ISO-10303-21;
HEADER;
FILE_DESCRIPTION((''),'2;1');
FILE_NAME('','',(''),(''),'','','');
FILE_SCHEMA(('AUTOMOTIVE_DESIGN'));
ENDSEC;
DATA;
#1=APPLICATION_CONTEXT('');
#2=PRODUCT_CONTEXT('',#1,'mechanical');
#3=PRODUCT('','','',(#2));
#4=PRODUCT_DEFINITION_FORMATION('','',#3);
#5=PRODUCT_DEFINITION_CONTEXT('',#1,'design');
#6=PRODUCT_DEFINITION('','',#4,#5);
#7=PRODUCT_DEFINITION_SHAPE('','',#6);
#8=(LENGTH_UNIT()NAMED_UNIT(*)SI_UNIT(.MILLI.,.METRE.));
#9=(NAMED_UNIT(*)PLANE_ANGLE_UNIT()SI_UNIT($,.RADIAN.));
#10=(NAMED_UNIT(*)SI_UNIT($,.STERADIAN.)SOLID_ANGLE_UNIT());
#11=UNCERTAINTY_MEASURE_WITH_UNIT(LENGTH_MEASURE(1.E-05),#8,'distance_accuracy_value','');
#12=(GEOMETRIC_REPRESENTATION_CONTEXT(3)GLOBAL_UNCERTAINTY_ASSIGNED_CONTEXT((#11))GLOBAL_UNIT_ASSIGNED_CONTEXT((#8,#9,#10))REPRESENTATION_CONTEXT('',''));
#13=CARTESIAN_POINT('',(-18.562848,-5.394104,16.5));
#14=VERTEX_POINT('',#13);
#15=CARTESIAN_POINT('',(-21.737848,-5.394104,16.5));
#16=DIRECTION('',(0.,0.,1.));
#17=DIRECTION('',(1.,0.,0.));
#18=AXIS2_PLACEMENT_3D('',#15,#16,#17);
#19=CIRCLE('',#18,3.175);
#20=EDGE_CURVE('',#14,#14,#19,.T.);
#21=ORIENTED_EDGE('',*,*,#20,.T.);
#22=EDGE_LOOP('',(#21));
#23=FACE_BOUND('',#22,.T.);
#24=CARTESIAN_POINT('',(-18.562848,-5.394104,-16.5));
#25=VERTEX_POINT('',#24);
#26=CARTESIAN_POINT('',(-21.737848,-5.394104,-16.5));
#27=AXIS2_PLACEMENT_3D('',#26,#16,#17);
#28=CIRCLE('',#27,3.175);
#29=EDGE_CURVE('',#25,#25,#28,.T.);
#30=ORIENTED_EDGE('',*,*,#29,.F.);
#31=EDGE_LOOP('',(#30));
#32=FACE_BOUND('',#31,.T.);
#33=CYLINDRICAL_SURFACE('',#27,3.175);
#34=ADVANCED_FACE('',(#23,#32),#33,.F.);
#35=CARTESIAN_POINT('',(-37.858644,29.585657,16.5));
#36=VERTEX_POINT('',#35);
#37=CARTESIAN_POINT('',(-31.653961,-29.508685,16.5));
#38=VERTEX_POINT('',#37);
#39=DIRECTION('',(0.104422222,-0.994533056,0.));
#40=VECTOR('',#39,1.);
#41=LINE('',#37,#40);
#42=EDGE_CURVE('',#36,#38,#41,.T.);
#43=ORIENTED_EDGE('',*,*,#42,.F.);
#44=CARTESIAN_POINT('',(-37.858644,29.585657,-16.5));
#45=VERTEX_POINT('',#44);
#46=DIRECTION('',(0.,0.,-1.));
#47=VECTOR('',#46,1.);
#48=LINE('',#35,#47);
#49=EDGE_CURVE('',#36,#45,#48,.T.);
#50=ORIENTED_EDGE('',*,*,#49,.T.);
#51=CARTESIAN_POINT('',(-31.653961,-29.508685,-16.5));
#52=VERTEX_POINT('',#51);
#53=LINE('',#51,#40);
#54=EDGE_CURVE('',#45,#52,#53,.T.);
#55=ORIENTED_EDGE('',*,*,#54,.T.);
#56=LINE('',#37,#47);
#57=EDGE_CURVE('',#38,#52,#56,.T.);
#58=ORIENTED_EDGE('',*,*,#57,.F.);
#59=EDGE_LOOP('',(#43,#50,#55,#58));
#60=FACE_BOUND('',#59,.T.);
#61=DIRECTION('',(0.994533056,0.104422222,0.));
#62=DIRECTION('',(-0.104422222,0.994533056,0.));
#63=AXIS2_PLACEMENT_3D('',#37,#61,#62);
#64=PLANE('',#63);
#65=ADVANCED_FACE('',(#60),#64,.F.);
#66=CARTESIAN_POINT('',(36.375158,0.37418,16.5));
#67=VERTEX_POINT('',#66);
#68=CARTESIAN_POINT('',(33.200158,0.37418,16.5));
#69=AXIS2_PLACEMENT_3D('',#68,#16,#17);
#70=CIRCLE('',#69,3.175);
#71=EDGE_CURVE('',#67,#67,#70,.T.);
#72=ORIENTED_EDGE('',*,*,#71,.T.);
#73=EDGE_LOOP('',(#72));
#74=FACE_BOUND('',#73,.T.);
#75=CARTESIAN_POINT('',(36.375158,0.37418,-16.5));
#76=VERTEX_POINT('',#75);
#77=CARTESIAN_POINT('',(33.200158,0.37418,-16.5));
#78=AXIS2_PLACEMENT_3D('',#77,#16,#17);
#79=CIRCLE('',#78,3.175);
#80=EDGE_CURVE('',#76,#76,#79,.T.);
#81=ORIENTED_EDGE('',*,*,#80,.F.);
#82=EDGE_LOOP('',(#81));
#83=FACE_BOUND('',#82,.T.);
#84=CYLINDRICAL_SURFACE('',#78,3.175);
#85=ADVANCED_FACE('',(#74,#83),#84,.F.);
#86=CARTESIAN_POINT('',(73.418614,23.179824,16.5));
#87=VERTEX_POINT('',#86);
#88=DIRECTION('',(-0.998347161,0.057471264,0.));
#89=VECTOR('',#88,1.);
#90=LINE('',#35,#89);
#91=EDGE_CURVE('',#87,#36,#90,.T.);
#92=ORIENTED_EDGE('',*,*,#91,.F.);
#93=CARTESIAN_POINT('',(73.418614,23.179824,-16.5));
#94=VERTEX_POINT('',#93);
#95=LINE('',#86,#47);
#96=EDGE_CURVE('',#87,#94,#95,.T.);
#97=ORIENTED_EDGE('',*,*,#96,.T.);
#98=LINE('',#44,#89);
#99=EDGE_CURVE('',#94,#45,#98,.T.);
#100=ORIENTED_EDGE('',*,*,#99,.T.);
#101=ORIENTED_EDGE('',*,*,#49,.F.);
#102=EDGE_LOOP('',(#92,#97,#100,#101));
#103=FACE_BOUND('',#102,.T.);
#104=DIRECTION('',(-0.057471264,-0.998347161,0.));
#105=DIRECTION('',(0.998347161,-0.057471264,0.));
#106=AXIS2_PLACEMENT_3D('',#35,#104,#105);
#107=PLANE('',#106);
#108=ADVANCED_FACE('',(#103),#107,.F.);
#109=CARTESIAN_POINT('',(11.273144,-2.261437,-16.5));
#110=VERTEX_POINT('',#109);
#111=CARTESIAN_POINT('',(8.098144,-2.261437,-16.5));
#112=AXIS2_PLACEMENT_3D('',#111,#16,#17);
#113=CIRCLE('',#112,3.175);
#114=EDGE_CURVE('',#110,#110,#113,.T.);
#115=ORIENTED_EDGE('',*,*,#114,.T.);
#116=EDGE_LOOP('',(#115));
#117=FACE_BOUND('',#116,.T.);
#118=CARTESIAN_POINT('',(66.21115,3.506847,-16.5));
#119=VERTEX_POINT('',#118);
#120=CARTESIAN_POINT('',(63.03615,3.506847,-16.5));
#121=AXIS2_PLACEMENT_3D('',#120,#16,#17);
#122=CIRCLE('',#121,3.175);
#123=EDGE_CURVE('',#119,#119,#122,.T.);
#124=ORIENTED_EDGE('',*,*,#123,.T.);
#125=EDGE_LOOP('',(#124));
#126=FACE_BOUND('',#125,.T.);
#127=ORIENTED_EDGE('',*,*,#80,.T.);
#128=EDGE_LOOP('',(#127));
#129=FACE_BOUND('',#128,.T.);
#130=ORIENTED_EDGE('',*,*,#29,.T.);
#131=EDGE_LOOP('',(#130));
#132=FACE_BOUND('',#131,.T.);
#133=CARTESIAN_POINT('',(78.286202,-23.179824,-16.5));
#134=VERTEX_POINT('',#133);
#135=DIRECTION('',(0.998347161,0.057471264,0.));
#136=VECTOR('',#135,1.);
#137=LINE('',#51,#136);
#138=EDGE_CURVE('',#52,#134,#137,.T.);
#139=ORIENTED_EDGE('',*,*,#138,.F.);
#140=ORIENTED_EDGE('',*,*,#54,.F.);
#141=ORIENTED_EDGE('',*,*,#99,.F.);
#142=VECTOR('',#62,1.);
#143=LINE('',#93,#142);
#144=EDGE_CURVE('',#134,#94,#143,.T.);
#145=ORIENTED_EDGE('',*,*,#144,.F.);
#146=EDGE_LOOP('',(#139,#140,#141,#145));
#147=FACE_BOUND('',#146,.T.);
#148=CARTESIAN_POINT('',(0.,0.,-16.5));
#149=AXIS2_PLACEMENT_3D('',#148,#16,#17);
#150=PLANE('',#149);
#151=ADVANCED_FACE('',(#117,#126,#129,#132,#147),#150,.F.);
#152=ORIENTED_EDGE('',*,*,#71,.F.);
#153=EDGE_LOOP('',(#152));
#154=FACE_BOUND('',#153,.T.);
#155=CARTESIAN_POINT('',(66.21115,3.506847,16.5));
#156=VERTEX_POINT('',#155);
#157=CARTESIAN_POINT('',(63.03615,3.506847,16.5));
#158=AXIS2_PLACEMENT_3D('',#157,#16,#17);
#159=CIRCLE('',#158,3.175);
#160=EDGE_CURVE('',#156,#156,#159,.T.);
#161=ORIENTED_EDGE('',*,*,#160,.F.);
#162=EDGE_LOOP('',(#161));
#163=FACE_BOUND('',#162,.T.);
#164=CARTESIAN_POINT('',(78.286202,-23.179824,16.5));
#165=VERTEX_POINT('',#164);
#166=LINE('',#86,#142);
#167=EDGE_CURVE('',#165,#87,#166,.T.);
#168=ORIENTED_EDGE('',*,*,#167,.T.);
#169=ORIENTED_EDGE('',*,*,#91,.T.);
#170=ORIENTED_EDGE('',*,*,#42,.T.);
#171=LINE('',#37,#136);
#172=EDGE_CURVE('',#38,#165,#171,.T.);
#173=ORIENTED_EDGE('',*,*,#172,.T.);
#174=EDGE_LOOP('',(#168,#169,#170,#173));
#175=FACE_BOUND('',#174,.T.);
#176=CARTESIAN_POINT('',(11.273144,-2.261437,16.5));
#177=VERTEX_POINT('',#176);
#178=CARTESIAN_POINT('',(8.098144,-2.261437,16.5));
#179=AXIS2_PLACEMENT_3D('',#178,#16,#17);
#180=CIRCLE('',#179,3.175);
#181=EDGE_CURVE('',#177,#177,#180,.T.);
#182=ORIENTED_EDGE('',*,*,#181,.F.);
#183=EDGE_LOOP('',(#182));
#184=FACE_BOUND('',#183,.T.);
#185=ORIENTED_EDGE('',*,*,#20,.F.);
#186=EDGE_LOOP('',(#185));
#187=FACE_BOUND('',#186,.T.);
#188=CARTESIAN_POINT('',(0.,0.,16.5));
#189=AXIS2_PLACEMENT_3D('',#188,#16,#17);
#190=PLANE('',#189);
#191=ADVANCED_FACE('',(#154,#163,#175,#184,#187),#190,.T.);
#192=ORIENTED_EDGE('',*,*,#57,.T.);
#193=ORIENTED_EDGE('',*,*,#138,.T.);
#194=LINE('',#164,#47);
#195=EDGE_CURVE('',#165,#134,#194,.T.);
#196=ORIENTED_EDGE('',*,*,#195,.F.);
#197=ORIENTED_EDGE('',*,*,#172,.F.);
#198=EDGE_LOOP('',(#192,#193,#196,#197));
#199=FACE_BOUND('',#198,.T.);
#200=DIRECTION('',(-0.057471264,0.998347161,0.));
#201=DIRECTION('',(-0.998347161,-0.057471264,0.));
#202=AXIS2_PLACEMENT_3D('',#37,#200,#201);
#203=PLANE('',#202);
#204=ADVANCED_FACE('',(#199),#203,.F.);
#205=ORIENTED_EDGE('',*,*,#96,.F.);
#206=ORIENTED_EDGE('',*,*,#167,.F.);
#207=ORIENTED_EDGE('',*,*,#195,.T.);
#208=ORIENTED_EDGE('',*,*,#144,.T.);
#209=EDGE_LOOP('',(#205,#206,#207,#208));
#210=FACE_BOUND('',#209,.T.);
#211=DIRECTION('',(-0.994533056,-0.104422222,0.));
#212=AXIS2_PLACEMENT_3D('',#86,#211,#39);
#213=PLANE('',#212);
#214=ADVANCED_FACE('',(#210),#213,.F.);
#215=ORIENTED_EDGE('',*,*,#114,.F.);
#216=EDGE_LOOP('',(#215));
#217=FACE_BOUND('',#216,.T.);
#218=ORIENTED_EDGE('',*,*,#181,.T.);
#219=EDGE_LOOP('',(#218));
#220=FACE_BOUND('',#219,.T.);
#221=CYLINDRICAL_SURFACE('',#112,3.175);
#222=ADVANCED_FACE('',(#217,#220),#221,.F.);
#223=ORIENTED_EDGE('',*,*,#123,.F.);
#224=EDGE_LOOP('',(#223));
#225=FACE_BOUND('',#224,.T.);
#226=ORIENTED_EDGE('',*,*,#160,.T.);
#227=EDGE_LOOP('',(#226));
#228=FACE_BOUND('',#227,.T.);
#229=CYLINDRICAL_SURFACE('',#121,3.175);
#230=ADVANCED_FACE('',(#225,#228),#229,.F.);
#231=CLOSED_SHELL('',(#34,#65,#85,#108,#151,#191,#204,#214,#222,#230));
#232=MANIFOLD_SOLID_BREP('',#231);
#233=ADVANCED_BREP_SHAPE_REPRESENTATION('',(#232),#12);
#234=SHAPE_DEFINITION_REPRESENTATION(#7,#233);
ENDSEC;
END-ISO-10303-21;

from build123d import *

# Parameters (mm, degrees)
SALIENTE_EXTRUIR1_DEPTH = 16.5
CROQUIS2_R              = 3.175
CORTAR_EXTRUIR1_DEPTH   = 90.961328235


with BuildPart() as part:
    # Croquis1 → Saliente-Extruir1 (new, symmetric)
    with BuildSketch(Plane.XY):
        Polygon((-37.85864365, 29.585656648), (73.418614151, 23.179824137), (78.286202478, -23.179824137), (-31.65396053, -29.508684898), align=None)
    extrude(amount=SALIENTE_EXTRUIR1_DEPTH, both=True)

    # Croquis2 → Cortar-Extruir1 (cut, through all)
    with BuildSketch(Plane.XY.offset(16.5)):
        with Locations((63.036149834, 3.50684658)):
            Circle(CROQUIS2_R)
        with Locations((33.200158154, 0.374179913)):
            Circle(CROQUIS2_R)
        with Locations((8.09814382, -2.261436976)):
            Circle(CROQUIS2_R)
        with Locations((-21.73784786, -5.394103642)):
            Circle(CROQUIS2_R)
    extrude(amount=-CORTAR_EXTRUIR1_DEPTH, mode=Mode.SUBTRACT)


solid = part.part
